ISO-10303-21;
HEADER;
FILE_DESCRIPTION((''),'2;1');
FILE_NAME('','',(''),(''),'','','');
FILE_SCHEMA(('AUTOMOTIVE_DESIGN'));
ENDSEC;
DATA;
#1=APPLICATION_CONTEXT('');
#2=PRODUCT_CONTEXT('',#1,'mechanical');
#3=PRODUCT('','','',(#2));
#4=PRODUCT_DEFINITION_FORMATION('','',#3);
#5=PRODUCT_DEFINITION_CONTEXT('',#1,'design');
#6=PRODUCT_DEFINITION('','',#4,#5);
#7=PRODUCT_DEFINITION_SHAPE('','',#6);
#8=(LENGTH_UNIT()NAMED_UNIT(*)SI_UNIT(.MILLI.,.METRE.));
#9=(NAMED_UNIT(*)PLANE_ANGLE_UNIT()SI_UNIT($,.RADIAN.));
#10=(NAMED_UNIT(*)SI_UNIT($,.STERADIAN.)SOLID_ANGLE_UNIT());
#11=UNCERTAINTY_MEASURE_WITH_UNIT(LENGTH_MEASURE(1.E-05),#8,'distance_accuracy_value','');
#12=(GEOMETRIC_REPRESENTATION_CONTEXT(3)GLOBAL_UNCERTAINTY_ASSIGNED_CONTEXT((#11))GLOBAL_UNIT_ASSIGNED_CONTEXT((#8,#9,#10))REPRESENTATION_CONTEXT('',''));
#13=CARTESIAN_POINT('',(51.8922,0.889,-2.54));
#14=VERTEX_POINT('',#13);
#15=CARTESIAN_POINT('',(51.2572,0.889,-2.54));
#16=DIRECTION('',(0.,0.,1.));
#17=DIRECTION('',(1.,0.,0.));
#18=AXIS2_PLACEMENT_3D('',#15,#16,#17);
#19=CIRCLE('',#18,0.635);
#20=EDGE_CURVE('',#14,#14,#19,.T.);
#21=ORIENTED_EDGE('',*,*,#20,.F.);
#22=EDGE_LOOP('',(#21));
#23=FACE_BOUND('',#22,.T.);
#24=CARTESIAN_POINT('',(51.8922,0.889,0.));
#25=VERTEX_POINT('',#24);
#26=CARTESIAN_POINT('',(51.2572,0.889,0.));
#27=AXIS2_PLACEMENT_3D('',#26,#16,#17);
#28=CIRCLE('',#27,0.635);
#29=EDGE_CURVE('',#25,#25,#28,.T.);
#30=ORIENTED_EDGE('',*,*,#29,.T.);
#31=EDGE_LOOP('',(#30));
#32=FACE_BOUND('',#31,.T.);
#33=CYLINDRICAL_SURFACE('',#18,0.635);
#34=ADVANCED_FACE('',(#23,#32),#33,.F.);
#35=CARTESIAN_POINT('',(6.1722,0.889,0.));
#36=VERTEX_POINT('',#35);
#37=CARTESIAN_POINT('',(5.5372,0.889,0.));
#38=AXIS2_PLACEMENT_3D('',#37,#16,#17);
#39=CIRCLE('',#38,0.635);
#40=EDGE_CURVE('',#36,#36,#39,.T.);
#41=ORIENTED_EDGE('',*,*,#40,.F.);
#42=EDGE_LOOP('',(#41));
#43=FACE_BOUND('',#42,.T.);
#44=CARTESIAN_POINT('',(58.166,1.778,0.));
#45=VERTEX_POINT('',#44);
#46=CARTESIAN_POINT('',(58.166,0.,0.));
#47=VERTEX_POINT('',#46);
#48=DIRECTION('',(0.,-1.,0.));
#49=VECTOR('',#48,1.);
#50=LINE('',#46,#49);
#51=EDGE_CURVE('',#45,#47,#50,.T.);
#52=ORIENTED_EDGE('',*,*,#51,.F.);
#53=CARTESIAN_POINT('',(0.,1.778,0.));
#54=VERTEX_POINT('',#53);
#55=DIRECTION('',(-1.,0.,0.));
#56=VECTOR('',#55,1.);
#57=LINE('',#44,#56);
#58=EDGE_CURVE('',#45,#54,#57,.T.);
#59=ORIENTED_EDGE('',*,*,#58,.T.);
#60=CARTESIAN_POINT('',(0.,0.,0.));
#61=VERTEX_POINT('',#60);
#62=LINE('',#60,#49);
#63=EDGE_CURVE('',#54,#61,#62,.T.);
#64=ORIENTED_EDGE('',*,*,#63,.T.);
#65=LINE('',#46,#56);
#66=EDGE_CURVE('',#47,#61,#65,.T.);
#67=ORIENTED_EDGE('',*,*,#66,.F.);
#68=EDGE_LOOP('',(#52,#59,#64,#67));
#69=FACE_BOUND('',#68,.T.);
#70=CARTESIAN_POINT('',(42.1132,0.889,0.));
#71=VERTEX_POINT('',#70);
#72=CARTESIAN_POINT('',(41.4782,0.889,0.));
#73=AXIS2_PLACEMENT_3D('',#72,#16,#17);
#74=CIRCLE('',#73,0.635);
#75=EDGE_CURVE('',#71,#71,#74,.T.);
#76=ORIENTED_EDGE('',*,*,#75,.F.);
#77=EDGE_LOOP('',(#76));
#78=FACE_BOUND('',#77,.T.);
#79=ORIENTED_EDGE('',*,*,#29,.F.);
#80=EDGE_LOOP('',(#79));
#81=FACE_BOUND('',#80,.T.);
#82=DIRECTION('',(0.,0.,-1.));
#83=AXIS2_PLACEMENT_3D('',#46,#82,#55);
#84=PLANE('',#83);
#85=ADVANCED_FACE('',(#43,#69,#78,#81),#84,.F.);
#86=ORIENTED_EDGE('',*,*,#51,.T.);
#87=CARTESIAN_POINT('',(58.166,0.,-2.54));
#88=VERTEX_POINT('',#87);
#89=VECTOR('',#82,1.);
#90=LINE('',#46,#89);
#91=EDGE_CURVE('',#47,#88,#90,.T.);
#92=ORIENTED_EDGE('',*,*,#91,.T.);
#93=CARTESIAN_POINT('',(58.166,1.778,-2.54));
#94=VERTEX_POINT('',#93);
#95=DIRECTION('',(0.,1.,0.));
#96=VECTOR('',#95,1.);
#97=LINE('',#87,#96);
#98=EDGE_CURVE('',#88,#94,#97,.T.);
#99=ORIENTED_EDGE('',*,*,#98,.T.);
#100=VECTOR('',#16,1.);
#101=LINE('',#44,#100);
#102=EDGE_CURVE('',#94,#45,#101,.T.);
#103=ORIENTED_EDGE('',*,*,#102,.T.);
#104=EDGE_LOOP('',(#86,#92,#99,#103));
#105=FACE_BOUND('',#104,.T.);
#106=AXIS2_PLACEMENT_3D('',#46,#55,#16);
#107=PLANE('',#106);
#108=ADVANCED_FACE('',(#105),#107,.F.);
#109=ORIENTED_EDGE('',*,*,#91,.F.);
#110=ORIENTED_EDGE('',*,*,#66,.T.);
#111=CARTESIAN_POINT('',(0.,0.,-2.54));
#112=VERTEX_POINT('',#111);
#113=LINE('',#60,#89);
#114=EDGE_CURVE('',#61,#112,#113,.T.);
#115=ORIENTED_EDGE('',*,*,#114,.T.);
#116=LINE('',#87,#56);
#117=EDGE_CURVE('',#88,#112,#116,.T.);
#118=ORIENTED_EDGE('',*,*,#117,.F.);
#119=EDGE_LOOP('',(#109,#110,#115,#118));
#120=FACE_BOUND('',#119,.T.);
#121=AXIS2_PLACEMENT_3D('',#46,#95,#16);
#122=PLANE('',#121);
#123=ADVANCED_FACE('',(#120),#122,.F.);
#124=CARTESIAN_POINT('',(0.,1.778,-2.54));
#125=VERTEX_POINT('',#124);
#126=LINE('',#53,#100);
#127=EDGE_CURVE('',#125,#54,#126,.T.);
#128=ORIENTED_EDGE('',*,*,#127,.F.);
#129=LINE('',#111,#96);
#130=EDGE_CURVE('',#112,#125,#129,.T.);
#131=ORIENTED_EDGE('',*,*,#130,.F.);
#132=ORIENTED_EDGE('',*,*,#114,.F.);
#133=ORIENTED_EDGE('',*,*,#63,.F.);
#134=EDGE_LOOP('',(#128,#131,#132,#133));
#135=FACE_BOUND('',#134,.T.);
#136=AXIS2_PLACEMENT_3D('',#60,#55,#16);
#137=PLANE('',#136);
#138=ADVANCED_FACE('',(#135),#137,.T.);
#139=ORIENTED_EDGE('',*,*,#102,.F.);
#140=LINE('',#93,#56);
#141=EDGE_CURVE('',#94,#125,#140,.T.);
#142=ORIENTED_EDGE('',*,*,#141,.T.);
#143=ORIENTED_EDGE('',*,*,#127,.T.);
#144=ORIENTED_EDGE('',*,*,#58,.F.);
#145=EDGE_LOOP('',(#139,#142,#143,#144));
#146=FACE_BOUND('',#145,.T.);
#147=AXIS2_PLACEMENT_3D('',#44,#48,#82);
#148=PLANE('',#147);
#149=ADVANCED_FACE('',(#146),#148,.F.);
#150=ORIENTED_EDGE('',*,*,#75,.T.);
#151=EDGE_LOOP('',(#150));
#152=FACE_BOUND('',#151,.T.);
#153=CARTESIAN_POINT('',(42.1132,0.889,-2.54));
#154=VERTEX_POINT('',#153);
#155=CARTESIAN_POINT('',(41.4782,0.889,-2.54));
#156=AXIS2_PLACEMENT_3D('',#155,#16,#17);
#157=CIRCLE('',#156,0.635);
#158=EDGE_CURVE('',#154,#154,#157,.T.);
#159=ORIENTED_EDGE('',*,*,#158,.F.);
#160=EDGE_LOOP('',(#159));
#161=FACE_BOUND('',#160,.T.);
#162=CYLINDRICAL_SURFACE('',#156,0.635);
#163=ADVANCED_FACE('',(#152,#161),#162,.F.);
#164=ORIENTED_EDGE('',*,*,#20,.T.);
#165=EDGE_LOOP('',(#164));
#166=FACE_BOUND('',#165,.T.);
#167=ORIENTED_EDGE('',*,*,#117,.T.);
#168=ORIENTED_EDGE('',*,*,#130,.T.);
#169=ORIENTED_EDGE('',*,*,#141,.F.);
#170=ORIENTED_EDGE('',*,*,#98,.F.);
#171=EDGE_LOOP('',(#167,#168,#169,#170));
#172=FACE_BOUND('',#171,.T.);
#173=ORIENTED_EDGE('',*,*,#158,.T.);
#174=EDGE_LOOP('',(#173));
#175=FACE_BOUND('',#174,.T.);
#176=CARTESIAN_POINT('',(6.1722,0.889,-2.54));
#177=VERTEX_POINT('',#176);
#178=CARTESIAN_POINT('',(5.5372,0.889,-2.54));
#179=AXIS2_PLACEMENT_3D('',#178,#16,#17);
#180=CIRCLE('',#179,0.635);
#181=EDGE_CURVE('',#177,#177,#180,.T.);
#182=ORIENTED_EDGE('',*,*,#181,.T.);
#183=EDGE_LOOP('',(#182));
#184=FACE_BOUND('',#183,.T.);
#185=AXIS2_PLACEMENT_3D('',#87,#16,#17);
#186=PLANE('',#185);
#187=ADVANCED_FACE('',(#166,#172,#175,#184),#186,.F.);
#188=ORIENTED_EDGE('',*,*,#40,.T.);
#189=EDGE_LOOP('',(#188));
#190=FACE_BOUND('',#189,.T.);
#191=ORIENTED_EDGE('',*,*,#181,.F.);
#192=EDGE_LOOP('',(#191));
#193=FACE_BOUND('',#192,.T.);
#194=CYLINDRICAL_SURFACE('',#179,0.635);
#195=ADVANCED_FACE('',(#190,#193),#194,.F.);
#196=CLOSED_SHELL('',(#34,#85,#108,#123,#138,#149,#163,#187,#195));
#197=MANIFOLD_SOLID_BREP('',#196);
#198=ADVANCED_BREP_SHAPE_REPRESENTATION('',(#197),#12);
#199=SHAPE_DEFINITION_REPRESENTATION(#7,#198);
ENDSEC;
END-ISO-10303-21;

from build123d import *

# Parameters (mm, degrees)
SKETCH5_W           = 2.54
SKETCH5_H           = 1.778
BOSS_EXTRUDE3_DEPTH = 58.166
SKETCH6_R           = 0.635
CUT_EXTRUDE3_DEPTH  = 3.54
SKETCH8_R           = 0.635
CUT_EXTRUDE4_DEPTH  = 3.54


with BuildPart() as part:
    # Sketch5 → Boss-Extrude3 (new body)
    with BuildSketch(Plane(origin=(0, 0, 0), x_dir=(0, 0, -1), z_dir=(1, 0, 0))):
        with Locations((1.27, 0.889)):
            Rectangle(SKETCH5_W, SKETCH5_H)
    extrude(amount=BOSS_EXTRUDE3_DEPTH)

    # Sketch6 → Cut-Extrude3 (cut, through all)
    with BuildSketch(Plane.XY):
        with Locations((5.5372, 0.889)):
            Circle(SKETCH6_R)
    extrude(amount=-CUT_EXTRUDE3_DEPTH, mode=Mode.SUBTRACT)

    # Sketch8 → Cut-Extrude4 (cut, through all)
    with BuildSketch(Plane.XY):
        with Locations((41.4782, 0.889)):
            Circle(SKETCH8_R)
        with Locations((51.2572, 0.889)):
            Circle(SKETCH8_R)
    extrude(amount=-CUT_EXTRUDE4_DEPTH, mode=Mode.SUBTRACT)


solid = part.part
